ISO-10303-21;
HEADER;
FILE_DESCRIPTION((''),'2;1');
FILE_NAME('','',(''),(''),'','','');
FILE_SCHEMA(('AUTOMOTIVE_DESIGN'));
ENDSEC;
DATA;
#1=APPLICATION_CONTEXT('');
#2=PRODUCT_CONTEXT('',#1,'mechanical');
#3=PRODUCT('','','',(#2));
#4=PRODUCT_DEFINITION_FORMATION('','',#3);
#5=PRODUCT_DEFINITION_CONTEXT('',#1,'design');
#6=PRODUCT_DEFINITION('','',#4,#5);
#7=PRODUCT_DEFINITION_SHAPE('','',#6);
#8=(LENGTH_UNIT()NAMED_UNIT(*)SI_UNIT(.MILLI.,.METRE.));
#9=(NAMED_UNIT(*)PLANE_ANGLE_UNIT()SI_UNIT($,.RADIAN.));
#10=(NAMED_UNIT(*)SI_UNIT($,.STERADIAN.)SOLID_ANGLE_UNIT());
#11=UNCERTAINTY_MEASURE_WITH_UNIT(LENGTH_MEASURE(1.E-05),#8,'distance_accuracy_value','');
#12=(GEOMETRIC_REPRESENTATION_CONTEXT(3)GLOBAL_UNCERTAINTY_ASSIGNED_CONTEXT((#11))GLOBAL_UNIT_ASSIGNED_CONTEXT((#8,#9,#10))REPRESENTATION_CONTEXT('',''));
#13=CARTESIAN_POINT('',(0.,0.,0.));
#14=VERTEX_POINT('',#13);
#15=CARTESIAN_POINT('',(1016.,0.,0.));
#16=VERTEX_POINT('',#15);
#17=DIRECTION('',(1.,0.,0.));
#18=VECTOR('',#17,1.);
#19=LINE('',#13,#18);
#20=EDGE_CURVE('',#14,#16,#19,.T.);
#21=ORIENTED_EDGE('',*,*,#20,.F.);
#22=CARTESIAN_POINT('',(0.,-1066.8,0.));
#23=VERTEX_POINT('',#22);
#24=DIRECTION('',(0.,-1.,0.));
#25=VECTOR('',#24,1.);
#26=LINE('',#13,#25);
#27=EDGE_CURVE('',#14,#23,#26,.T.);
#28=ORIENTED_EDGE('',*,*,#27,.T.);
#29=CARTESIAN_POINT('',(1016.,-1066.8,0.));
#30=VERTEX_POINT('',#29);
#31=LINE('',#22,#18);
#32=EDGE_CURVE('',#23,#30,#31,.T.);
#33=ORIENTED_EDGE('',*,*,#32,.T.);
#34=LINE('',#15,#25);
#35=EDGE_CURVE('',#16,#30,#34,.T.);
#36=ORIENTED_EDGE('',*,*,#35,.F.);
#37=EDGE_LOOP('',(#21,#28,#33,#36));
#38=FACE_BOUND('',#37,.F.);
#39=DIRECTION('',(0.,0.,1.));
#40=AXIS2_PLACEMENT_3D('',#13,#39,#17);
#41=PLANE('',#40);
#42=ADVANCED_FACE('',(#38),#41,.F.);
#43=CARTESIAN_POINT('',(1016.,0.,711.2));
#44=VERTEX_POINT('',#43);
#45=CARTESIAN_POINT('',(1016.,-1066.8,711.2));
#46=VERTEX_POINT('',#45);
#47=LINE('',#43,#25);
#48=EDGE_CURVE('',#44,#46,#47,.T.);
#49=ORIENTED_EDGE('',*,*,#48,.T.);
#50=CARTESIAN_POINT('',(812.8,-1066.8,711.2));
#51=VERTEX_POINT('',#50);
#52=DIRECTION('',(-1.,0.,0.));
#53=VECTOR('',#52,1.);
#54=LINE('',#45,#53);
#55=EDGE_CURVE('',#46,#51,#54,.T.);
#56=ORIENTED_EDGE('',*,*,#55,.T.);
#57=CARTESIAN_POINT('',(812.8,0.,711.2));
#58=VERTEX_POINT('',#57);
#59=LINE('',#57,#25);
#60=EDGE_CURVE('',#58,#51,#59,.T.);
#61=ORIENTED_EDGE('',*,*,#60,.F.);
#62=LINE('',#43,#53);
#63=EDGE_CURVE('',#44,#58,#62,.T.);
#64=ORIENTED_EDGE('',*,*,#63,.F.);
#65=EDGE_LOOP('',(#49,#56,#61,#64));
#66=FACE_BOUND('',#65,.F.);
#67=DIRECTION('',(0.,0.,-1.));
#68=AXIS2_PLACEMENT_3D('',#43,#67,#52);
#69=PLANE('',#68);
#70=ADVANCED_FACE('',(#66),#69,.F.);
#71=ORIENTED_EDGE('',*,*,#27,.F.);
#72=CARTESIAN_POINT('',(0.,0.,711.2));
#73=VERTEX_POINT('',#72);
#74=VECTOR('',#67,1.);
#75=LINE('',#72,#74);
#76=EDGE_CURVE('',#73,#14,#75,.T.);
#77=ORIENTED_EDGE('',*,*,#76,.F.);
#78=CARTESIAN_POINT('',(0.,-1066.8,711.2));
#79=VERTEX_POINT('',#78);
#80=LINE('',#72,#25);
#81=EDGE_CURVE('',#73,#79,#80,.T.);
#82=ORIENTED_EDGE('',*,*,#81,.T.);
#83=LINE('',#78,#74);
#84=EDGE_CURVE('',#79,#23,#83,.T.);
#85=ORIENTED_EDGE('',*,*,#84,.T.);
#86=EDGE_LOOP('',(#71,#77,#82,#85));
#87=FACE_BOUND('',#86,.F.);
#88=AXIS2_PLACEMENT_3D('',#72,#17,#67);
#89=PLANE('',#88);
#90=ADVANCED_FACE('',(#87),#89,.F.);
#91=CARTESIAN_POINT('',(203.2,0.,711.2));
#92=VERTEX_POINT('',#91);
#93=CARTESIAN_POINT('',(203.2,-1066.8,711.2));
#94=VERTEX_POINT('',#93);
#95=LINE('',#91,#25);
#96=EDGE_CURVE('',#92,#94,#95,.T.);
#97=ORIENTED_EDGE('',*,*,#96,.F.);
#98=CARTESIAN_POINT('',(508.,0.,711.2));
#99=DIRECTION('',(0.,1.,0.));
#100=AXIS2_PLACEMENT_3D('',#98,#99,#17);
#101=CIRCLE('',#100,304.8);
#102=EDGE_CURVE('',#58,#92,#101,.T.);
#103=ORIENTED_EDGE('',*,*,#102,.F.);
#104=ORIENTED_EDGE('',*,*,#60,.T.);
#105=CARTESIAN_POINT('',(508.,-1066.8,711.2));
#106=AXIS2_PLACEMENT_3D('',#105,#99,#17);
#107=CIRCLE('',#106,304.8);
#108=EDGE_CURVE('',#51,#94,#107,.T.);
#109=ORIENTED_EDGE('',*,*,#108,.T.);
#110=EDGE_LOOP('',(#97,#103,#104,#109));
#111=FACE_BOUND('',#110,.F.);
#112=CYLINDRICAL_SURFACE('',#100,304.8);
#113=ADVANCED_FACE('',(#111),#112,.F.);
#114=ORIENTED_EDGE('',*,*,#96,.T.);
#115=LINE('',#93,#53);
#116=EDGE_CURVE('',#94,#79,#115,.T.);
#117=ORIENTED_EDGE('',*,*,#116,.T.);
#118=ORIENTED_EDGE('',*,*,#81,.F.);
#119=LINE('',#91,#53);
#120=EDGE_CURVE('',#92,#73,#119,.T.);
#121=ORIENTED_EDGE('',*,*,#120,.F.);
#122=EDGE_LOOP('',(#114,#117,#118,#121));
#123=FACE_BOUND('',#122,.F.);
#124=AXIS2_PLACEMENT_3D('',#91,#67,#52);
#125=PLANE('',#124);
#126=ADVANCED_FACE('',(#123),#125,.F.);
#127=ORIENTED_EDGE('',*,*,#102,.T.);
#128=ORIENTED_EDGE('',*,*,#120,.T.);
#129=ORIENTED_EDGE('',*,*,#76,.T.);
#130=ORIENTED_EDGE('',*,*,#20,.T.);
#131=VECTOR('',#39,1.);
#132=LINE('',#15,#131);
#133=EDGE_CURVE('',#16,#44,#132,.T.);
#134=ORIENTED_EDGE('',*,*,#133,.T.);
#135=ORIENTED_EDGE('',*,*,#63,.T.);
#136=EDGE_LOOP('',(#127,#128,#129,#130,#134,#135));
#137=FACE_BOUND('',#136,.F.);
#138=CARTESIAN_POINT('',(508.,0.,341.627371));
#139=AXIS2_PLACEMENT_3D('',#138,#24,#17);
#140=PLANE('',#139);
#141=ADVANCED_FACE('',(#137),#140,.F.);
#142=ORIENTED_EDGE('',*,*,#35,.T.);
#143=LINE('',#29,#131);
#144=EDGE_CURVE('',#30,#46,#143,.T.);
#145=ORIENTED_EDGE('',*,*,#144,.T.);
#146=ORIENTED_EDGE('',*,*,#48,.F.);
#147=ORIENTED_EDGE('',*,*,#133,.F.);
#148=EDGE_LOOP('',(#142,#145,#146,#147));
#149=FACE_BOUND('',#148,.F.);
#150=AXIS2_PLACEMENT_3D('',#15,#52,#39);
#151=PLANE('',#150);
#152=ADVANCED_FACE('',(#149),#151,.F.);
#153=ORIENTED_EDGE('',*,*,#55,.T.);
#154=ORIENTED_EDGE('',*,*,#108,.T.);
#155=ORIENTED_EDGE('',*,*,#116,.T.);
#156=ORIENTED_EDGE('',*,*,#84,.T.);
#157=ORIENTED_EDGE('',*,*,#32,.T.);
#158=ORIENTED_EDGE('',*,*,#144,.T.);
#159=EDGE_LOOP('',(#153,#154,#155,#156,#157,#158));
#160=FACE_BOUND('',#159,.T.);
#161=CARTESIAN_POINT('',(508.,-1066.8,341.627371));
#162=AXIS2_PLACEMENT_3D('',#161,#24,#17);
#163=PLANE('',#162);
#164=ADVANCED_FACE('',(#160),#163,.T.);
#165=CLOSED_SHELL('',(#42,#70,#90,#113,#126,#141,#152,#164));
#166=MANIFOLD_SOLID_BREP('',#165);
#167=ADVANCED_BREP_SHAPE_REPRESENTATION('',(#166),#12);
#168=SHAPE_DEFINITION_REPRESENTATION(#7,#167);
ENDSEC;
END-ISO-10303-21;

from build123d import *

# Parameters (mm, degrees)
F1_DEPTH = 1066.8


with BuildPart() as f1:
    # F0 (on Front) → F1 (new body)
    with BuildSketch(Plane.XZ):
        with BuildLine():
            Line((0, 711.2), (0, 0))
            Line((0, 0), (1016, 0))
            Line((1016, 0), (1016, 711.2))
            Line((1016, 711.2), (812.8, 711.2))
            ThreePointArc((812.8, 711.2), (508, 406.4), (203.2, 711.2))
            Line((203.2, 711.2), (0, 711.2))
        make_face()
    extrude(amount=F1_DEPTH)


solid = f1.part
